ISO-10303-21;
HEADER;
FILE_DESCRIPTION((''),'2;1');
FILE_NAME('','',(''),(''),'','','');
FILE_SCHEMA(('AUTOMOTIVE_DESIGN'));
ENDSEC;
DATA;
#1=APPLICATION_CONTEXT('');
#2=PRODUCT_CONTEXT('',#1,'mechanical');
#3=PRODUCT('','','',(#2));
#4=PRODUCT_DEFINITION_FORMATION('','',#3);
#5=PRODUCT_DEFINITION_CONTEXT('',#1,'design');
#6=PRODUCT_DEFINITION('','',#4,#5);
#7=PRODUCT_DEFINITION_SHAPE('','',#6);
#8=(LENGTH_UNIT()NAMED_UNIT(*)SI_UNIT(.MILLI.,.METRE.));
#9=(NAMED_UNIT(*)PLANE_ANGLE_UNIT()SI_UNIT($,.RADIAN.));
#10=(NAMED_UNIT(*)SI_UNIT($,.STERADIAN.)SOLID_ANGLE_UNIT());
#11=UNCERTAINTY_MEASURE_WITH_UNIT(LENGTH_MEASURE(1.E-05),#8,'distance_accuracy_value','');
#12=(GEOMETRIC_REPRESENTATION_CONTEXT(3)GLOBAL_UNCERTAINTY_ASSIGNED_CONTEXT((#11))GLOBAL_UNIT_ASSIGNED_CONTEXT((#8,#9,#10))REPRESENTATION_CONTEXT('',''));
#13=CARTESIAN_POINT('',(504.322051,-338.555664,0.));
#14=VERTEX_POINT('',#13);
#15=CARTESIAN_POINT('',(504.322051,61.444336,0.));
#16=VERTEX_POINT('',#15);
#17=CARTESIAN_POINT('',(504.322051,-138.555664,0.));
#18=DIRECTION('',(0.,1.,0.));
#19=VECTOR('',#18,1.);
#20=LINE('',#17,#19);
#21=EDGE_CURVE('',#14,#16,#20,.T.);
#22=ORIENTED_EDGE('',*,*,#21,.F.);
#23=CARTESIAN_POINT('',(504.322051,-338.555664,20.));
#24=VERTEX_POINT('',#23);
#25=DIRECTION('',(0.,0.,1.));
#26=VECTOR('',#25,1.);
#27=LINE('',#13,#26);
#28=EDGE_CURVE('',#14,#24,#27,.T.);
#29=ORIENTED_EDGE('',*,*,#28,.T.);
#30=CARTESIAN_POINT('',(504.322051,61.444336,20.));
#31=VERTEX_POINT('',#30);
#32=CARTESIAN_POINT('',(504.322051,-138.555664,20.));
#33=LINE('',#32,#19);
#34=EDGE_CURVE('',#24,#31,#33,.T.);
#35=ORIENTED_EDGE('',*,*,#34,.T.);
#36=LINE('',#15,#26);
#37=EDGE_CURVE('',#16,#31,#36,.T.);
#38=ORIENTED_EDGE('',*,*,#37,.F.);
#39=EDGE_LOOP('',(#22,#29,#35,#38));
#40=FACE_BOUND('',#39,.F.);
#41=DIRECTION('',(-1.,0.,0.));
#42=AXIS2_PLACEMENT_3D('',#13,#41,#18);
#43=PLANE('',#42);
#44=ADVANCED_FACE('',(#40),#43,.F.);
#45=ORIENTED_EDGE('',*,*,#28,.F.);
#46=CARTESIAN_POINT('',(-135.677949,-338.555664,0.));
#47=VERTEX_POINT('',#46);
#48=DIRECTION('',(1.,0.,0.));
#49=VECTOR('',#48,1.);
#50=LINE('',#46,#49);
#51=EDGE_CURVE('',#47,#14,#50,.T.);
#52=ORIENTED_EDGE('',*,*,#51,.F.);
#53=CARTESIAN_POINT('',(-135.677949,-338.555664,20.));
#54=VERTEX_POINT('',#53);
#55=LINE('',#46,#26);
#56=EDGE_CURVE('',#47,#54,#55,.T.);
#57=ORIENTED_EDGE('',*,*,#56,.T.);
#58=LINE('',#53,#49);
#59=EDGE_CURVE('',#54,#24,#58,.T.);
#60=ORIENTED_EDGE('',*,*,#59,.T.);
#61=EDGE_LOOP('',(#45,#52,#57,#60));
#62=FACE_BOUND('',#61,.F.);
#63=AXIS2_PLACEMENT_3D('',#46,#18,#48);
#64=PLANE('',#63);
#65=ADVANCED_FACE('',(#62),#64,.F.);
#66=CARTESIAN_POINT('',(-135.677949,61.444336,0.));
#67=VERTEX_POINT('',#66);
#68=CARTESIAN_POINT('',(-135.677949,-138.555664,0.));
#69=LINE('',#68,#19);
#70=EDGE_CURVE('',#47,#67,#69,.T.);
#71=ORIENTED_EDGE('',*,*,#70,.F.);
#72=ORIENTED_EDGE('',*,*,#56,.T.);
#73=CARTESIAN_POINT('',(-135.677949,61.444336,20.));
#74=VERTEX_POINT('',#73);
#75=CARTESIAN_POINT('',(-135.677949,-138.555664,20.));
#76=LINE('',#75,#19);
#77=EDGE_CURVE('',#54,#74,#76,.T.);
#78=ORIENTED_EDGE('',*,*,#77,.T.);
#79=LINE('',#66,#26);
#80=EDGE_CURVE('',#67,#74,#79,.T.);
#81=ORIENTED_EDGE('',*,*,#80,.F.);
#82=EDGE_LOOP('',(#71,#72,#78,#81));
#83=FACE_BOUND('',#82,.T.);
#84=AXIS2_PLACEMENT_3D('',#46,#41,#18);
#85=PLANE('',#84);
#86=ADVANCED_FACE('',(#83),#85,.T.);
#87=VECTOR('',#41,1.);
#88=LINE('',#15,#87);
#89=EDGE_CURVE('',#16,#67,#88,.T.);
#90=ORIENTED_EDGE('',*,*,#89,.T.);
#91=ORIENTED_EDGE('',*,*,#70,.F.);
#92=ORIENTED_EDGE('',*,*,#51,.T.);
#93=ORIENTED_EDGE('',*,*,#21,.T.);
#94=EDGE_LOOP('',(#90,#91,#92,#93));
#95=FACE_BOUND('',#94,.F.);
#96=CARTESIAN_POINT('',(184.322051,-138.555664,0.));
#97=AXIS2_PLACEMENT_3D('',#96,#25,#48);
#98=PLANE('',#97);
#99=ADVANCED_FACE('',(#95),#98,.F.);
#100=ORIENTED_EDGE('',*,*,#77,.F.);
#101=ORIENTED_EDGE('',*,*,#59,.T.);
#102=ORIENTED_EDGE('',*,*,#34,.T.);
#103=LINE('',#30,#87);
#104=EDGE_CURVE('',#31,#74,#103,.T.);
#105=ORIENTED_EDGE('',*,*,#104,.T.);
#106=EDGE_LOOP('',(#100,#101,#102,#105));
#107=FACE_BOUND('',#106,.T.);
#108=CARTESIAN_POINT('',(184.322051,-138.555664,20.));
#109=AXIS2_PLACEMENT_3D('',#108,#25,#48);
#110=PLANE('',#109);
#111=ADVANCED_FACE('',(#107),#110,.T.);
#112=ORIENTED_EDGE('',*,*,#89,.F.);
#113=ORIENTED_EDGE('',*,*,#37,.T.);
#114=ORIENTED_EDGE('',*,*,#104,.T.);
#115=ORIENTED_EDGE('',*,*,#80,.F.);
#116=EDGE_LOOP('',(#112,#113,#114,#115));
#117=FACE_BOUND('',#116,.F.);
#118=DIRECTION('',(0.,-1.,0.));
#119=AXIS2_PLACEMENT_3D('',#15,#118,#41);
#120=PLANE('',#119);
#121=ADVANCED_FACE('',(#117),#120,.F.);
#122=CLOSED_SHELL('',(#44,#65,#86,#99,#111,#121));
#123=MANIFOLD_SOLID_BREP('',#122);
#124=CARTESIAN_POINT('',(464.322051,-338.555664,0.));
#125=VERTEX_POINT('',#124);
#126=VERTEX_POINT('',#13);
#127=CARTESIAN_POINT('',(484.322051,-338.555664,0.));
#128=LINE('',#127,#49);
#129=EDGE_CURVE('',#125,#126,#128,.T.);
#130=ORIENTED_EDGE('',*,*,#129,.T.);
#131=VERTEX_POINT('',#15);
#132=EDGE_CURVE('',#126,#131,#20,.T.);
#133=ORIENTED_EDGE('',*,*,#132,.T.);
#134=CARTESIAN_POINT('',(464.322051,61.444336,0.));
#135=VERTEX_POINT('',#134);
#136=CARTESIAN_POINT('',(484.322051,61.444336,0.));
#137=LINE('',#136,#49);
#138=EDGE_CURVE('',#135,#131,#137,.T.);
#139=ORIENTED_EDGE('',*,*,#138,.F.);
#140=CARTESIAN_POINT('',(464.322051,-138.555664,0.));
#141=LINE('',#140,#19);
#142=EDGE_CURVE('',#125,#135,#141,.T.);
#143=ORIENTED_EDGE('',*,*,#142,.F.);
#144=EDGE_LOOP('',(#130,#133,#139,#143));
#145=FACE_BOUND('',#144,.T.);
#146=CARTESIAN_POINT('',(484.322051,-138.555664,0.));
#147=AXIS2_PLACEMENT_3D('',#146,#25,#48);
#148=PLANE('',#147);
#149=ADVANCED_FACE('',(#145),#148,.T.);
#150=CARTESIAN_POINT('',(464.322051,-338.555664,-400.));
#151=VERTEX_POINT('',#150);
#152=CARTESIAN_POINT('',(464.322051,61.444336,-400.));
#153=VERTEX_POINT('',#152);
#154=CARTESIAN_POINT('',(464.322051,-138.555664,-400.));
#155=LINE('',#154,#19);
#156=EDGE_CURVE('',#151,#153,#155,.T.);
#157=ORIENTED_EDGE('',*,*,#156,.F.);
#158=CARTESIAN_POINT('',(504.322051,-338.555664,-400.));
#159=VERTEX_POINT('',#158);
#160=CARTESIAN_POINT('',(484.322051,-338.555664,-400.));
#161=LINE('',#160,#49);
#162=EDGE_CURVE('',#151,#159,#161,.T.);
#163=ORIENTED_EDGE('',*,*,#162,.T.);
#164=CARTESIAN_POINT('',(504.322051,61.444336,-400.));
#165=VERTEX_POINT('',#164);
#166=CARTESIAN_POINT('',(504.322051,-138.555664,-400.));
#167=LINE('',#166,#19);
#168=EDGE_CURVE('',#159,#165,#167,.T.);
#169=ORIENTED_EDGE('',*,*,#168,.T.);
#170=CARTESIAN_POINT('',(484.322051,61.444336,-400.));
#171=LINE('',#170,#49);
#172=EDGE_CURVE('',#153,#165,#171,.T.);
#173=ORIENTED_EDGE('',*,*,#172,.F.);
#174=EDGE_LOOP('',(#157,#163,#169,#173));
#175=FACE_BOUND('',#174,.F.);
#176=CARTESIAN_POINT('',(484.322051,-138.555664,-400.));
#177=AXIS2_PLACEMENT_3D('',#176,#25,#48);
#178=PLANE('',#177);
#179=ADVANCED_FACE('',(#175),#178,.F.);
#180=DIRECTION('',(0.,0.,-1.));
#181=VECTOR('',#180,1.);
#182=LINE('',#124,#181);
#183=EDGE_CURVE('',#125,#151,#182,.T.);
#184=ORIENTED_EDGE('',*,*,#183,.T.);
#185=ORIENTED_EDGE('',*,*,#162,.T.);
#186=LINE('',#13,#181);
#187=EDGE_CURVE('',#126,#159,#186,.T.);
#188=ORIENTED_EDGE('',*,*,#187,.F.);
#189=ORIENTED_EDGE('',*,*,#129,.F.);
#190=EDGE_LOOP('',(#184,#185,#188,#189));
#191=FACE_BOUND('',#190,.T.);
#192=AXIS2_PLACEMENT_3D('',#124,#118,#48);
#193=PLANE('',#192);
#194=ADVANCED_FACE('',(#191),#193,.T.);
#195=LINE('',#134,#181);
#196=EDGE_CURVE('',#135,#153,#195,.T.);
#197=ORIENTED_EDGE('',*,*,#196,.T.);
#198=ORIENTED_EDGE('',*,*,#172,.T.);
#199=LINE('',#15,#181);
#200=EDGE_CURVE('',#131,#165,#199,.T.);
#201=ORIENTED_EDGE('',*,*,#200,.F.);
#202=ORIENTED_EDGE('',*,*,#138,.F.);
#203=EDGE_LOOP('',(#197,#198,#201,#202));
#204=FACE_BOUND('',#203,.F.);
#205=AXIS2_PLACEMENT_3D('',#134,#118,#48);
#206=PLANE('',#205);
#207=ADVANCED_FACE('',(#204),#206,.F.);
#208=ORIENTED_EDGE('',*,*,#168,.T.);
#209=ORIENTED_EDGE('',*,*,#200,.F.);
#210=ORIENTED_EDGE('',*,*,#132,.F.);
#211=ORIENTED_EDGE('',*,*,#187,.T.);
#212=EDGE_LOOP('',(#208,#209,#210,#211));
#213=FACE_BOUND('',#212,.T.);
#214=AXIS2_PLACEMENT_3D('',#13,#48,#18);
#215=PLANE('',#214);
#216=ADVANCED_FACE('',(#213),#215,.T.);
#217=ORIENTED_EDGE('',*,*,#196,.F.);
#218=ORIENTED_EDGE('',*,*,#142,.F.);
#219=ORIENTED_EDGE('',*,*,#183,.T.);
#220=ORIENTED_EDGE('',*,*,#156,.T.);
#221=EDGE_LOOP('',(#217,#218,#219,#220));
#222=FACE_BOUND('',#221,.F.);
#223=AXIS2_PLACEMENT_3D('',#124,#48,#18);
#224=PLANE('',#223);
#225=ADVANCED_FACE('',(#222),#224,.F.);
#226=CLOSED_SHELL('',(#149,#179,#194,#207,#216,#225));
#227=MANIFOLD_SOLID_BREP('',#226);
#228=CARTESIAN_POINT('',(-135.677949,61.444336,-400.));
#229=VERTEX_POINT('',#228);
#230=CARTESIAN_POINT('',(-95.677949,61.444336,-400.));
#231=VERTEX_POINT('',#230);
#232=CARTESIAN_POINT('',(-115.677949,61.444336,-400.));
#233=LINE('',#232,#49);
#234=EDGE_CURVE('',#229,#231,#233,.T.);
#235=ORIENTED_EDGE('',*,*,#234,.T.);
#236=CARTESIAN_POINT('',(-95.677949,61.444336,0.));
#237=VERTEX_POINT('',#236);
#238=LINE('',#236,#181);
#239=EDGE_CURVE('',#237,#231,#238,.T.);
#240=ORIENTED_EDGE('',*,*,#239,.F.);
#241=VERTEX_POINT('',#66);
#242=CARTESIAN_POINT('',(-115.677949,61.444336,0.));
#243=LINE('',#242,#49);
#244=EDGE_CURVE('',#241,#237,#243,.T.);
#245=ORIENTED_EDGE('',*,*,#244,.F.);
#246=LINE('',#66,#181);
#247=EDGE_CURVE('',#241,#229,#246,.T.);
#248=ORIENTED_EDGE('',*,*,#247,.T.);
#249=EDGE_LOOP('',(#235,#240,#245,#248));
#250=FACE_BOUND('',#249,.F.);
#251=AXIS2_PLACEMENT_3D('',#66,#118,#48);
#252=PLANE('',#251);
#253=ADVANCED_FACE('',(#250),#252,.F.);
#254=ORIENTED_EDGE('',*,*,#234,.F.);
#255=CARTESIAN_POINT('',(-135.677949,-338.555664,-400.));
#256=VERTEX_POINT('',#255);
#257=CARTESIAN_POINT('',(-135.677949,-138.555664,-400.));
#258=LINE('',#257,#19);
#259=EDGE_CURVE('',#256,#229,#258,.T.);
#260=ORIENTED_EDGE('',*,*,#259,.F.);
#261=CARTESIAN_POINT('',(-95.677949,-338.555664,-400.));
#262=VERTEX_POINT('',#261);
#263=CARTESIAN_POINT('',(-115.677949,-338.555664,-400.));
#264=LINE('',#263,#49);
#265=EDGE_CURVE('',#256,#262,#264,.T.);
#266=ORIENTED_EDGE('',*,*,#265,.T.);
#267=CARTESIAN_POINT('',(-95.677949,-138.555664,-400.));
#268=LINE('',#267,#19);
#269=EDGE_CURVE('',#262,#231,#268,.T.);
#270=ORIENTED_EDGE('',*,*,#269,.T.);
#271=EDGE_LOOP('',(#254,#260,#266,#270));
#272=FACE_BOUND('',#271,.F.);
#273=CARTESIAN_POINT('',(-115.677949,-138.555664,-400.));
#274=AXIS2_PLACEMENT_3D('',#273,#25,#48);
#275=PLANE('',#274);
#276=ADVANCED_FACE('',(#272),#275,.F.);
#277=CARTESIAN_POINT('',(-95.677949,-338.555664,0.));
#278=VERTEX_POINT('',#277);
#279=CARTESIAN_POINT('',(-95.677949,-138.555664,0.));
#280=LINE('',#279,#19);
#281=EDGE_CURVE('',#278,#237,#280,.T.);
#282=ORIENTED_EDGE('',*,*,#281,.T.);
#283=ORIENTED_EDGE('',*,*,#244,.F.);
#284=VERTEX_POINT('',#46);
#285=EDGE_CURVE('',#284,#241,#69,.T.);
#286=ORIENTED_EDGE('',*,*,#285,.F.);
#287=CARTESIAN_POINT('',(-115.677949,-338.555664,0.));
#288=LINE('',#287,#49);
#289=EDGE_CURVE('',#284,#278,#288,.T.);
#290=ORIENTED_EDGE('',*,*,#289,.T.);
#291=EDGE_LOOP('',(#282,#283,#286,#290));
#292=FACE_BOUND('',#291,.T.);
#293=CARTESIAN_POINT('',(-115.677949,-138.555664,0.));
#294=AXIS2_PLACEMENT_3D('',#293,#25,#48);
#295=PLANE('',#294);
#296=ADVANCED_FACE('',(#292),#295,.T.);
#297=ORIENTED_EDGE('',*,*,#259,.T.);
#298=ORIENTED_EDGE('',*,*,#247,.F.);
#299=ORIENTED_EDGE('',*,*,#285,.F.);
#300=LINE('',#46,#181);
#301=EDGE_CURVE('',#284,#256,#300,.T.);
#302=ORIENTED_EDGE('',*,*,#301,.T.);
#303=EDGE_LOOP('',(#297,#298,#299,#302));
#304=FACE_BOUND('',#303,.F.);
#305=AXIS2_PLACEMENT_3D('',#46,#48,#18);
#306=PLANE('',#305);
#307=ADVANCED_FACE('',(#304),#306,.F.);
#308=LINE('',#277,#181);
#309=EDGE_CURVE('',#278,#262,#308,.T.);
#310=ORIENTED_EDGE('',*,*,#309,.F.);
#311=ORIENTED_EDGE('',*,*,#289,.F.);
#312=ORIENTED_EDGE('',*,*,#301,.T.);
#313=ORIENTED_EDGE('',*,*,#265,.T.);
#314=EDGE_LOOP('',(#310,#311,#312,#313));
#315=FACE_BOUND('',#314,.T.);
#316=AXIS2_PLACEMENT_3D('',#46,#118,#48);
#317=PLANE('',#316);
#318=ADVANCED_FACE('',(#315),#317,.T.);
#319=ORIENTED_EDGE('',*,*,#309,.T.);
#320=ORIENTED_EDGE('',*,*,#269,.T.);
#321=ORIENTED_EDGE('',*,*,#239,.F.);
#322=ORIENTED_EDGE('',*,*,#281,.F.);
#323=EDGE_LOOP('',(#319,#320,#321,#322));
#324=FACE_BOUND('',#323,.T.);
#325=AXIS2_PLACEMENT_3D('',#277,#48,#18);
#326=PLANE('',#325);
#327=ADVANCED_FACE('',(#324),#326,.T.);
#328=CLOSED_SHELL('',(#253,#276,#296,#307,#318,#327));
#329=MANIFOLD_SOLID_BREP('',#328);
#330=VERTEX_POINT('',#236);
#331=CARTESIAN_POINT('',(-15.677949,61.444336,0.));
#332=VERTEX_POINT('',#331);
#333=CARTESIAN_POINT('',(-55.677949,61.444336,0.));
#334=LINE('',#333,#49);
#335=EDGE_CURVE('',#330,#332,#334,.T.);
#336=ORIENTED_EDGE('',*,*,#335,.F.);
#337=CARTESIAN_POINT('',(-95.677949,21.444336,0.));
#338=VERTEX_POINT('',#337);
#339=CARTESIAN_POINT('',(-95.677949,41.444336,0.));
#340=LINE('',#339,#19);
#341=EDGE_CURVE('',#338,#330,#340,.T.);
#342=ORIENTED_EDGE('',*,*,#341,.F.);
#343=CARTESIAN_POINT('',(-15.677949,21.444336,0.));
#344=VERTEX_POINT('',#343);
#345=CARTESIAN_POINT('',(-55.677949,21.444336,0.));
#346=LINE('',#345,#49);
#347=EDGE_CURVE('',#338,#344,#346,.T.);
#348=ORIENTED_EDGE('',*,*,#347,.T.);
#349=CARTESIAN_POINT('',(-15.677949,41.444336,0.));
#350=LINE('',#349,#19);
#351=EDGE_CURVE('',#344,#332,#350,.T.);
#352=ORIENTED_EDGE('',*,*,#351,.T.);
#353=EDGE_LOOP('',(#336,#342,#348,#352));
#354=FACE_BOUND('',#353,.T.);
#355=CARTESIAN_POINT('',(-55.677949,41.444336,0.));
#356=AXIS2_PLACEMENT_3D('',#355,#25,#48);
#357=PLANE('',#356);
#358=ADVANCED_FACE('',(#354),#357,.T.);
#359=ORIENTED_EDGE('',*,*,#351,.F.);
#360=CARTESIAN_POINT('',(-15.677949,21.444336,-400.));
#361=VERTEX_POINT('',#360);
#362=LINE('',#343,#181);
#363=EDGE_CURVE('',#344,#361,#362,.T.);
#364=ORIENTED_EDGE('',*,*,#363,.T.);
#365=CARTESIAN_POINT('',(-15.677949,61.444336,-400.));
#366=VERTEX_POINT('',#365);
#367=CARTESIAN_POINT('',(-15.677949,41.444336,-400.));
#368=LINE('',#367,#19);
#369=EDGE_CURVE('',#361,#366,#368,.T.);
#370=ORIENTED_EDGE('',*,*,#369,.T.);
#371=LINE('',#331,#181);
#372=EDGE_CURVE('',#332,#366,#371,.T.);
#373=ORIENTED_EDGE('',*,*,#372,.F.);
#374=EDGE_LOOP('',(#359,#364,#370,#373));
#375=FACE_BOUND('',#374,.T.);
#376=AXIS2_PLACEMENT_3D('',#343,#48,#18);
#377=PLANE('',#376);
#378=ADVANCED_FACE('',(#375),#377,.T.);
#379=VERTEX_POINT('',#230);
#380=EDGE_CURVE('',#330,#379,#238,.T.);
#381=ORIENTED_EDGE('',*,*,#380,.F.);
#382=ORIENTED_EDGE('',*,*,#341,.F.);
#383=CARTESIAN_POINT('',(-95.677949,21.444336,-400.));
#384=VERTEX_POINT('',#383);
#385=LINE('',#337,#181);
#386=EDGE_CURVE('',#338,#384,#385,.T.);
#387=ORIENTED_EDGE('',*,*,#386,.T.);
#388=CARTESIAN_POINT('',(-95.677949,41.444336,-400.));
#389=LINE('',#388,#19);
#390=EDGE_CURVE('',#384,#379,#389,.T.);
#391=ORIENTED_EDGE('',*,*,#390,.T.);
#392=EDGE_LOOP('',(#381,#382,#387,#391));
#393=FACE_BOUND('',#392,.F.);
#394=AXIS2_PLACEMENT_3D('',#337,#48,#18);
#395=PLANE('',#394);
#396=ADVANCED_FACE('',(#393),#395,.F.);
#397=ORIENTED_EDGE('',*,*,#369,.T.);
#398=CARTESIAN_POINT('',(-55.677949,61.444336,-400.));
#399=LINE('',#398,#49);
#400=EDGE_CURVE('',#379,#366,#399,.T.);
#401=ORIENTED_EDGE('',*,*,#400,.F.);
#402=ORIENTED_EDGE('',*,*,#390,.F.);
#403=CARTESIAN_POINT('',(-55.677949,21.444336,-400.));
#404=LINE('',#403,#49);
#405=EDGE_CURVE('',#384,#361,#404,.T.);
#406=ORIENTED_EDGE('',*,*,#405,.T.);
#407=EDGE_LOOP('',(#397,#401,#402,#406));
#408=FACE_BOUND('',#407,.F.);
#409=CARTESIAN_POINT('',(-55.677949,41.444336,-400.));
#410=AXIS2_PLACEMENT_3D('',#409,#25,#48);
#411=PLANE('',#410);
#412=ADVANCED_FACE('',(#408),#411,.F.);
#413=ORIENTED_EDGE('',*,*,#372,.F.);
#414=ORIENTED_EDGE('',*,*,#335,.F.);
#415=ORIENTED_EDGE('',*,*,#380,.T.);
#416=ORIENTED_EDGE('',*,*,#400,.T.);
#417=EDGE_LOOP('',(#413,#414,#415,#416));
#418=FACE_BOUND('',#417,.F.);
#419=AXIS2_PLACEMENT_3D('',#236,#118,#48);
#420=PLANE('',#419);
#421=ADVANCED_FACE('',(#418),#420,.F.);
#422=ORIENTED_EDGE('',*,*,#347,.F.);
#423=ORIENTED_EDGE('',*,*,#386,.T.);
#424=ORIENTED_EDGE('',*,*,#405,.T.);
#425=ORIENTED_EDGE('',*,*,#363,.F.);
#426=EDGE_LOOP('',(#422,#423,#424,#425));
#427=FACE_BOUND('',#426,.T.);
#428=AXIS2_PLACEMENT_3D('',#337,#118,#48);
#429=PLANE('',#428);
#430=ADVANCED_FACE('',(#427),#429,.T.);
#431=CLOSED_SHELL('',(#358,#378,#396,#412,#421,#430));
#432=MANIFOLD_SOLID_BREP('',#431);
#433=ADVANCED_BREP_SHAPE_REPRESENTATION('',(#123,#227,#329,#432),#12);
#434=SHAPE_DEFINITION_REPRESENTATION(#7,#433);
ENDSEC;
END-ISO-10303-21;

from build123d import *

# Parameters (mm, degrees)
F0_W     = 560
F0_H     = 400
F0_W_2   = 40
F1_DEPTH = 20
F2_DEPTH = 400
F3_W     = 80
F3_H     = 40
F4_DEPTH = 400


with BuildPart() as f1:
    # F0 (on Top) → F1 (new body)
    with BuildSketch(Plane.XY):
        with Locations((184.322051, -138.555664)):
            Rectangle(F0_W, F0_H)
        with Locations((-115.677949, -138.555664)):
            Rectangle(F0_W_2, F0_H)
        with Locations((484.322051, -138.555664)):
            Rectangle(F0_W_2, F0_H)
    extrude(amount=F1_DEPTH)


with BuildPart() as f2:
    # F0 (on Top) → F2 (new body)
    with BuildSketch(Plane.XY):
        with Locations((-115.677949, -138.555664)):
            Rectangle(F0_W_2, F0_H)
        with Locations((484.322051, -138.555664)):
            Rectangle(F0_W_2, F0_H)
    extrude(amount=-F2_DEPTH)


with BuildPart() as f4:
    # F3 (on face) → F4 (new body, through all)
    with BuildSketch(Plane.XY):
        with Locations((-55.677949, 41.444336)):
            Rectangle(F3_W, F3_H)
    extrude(amount=-F4_DEPTH)


solid = Compound([f1.part, f2.part, f4.part])
